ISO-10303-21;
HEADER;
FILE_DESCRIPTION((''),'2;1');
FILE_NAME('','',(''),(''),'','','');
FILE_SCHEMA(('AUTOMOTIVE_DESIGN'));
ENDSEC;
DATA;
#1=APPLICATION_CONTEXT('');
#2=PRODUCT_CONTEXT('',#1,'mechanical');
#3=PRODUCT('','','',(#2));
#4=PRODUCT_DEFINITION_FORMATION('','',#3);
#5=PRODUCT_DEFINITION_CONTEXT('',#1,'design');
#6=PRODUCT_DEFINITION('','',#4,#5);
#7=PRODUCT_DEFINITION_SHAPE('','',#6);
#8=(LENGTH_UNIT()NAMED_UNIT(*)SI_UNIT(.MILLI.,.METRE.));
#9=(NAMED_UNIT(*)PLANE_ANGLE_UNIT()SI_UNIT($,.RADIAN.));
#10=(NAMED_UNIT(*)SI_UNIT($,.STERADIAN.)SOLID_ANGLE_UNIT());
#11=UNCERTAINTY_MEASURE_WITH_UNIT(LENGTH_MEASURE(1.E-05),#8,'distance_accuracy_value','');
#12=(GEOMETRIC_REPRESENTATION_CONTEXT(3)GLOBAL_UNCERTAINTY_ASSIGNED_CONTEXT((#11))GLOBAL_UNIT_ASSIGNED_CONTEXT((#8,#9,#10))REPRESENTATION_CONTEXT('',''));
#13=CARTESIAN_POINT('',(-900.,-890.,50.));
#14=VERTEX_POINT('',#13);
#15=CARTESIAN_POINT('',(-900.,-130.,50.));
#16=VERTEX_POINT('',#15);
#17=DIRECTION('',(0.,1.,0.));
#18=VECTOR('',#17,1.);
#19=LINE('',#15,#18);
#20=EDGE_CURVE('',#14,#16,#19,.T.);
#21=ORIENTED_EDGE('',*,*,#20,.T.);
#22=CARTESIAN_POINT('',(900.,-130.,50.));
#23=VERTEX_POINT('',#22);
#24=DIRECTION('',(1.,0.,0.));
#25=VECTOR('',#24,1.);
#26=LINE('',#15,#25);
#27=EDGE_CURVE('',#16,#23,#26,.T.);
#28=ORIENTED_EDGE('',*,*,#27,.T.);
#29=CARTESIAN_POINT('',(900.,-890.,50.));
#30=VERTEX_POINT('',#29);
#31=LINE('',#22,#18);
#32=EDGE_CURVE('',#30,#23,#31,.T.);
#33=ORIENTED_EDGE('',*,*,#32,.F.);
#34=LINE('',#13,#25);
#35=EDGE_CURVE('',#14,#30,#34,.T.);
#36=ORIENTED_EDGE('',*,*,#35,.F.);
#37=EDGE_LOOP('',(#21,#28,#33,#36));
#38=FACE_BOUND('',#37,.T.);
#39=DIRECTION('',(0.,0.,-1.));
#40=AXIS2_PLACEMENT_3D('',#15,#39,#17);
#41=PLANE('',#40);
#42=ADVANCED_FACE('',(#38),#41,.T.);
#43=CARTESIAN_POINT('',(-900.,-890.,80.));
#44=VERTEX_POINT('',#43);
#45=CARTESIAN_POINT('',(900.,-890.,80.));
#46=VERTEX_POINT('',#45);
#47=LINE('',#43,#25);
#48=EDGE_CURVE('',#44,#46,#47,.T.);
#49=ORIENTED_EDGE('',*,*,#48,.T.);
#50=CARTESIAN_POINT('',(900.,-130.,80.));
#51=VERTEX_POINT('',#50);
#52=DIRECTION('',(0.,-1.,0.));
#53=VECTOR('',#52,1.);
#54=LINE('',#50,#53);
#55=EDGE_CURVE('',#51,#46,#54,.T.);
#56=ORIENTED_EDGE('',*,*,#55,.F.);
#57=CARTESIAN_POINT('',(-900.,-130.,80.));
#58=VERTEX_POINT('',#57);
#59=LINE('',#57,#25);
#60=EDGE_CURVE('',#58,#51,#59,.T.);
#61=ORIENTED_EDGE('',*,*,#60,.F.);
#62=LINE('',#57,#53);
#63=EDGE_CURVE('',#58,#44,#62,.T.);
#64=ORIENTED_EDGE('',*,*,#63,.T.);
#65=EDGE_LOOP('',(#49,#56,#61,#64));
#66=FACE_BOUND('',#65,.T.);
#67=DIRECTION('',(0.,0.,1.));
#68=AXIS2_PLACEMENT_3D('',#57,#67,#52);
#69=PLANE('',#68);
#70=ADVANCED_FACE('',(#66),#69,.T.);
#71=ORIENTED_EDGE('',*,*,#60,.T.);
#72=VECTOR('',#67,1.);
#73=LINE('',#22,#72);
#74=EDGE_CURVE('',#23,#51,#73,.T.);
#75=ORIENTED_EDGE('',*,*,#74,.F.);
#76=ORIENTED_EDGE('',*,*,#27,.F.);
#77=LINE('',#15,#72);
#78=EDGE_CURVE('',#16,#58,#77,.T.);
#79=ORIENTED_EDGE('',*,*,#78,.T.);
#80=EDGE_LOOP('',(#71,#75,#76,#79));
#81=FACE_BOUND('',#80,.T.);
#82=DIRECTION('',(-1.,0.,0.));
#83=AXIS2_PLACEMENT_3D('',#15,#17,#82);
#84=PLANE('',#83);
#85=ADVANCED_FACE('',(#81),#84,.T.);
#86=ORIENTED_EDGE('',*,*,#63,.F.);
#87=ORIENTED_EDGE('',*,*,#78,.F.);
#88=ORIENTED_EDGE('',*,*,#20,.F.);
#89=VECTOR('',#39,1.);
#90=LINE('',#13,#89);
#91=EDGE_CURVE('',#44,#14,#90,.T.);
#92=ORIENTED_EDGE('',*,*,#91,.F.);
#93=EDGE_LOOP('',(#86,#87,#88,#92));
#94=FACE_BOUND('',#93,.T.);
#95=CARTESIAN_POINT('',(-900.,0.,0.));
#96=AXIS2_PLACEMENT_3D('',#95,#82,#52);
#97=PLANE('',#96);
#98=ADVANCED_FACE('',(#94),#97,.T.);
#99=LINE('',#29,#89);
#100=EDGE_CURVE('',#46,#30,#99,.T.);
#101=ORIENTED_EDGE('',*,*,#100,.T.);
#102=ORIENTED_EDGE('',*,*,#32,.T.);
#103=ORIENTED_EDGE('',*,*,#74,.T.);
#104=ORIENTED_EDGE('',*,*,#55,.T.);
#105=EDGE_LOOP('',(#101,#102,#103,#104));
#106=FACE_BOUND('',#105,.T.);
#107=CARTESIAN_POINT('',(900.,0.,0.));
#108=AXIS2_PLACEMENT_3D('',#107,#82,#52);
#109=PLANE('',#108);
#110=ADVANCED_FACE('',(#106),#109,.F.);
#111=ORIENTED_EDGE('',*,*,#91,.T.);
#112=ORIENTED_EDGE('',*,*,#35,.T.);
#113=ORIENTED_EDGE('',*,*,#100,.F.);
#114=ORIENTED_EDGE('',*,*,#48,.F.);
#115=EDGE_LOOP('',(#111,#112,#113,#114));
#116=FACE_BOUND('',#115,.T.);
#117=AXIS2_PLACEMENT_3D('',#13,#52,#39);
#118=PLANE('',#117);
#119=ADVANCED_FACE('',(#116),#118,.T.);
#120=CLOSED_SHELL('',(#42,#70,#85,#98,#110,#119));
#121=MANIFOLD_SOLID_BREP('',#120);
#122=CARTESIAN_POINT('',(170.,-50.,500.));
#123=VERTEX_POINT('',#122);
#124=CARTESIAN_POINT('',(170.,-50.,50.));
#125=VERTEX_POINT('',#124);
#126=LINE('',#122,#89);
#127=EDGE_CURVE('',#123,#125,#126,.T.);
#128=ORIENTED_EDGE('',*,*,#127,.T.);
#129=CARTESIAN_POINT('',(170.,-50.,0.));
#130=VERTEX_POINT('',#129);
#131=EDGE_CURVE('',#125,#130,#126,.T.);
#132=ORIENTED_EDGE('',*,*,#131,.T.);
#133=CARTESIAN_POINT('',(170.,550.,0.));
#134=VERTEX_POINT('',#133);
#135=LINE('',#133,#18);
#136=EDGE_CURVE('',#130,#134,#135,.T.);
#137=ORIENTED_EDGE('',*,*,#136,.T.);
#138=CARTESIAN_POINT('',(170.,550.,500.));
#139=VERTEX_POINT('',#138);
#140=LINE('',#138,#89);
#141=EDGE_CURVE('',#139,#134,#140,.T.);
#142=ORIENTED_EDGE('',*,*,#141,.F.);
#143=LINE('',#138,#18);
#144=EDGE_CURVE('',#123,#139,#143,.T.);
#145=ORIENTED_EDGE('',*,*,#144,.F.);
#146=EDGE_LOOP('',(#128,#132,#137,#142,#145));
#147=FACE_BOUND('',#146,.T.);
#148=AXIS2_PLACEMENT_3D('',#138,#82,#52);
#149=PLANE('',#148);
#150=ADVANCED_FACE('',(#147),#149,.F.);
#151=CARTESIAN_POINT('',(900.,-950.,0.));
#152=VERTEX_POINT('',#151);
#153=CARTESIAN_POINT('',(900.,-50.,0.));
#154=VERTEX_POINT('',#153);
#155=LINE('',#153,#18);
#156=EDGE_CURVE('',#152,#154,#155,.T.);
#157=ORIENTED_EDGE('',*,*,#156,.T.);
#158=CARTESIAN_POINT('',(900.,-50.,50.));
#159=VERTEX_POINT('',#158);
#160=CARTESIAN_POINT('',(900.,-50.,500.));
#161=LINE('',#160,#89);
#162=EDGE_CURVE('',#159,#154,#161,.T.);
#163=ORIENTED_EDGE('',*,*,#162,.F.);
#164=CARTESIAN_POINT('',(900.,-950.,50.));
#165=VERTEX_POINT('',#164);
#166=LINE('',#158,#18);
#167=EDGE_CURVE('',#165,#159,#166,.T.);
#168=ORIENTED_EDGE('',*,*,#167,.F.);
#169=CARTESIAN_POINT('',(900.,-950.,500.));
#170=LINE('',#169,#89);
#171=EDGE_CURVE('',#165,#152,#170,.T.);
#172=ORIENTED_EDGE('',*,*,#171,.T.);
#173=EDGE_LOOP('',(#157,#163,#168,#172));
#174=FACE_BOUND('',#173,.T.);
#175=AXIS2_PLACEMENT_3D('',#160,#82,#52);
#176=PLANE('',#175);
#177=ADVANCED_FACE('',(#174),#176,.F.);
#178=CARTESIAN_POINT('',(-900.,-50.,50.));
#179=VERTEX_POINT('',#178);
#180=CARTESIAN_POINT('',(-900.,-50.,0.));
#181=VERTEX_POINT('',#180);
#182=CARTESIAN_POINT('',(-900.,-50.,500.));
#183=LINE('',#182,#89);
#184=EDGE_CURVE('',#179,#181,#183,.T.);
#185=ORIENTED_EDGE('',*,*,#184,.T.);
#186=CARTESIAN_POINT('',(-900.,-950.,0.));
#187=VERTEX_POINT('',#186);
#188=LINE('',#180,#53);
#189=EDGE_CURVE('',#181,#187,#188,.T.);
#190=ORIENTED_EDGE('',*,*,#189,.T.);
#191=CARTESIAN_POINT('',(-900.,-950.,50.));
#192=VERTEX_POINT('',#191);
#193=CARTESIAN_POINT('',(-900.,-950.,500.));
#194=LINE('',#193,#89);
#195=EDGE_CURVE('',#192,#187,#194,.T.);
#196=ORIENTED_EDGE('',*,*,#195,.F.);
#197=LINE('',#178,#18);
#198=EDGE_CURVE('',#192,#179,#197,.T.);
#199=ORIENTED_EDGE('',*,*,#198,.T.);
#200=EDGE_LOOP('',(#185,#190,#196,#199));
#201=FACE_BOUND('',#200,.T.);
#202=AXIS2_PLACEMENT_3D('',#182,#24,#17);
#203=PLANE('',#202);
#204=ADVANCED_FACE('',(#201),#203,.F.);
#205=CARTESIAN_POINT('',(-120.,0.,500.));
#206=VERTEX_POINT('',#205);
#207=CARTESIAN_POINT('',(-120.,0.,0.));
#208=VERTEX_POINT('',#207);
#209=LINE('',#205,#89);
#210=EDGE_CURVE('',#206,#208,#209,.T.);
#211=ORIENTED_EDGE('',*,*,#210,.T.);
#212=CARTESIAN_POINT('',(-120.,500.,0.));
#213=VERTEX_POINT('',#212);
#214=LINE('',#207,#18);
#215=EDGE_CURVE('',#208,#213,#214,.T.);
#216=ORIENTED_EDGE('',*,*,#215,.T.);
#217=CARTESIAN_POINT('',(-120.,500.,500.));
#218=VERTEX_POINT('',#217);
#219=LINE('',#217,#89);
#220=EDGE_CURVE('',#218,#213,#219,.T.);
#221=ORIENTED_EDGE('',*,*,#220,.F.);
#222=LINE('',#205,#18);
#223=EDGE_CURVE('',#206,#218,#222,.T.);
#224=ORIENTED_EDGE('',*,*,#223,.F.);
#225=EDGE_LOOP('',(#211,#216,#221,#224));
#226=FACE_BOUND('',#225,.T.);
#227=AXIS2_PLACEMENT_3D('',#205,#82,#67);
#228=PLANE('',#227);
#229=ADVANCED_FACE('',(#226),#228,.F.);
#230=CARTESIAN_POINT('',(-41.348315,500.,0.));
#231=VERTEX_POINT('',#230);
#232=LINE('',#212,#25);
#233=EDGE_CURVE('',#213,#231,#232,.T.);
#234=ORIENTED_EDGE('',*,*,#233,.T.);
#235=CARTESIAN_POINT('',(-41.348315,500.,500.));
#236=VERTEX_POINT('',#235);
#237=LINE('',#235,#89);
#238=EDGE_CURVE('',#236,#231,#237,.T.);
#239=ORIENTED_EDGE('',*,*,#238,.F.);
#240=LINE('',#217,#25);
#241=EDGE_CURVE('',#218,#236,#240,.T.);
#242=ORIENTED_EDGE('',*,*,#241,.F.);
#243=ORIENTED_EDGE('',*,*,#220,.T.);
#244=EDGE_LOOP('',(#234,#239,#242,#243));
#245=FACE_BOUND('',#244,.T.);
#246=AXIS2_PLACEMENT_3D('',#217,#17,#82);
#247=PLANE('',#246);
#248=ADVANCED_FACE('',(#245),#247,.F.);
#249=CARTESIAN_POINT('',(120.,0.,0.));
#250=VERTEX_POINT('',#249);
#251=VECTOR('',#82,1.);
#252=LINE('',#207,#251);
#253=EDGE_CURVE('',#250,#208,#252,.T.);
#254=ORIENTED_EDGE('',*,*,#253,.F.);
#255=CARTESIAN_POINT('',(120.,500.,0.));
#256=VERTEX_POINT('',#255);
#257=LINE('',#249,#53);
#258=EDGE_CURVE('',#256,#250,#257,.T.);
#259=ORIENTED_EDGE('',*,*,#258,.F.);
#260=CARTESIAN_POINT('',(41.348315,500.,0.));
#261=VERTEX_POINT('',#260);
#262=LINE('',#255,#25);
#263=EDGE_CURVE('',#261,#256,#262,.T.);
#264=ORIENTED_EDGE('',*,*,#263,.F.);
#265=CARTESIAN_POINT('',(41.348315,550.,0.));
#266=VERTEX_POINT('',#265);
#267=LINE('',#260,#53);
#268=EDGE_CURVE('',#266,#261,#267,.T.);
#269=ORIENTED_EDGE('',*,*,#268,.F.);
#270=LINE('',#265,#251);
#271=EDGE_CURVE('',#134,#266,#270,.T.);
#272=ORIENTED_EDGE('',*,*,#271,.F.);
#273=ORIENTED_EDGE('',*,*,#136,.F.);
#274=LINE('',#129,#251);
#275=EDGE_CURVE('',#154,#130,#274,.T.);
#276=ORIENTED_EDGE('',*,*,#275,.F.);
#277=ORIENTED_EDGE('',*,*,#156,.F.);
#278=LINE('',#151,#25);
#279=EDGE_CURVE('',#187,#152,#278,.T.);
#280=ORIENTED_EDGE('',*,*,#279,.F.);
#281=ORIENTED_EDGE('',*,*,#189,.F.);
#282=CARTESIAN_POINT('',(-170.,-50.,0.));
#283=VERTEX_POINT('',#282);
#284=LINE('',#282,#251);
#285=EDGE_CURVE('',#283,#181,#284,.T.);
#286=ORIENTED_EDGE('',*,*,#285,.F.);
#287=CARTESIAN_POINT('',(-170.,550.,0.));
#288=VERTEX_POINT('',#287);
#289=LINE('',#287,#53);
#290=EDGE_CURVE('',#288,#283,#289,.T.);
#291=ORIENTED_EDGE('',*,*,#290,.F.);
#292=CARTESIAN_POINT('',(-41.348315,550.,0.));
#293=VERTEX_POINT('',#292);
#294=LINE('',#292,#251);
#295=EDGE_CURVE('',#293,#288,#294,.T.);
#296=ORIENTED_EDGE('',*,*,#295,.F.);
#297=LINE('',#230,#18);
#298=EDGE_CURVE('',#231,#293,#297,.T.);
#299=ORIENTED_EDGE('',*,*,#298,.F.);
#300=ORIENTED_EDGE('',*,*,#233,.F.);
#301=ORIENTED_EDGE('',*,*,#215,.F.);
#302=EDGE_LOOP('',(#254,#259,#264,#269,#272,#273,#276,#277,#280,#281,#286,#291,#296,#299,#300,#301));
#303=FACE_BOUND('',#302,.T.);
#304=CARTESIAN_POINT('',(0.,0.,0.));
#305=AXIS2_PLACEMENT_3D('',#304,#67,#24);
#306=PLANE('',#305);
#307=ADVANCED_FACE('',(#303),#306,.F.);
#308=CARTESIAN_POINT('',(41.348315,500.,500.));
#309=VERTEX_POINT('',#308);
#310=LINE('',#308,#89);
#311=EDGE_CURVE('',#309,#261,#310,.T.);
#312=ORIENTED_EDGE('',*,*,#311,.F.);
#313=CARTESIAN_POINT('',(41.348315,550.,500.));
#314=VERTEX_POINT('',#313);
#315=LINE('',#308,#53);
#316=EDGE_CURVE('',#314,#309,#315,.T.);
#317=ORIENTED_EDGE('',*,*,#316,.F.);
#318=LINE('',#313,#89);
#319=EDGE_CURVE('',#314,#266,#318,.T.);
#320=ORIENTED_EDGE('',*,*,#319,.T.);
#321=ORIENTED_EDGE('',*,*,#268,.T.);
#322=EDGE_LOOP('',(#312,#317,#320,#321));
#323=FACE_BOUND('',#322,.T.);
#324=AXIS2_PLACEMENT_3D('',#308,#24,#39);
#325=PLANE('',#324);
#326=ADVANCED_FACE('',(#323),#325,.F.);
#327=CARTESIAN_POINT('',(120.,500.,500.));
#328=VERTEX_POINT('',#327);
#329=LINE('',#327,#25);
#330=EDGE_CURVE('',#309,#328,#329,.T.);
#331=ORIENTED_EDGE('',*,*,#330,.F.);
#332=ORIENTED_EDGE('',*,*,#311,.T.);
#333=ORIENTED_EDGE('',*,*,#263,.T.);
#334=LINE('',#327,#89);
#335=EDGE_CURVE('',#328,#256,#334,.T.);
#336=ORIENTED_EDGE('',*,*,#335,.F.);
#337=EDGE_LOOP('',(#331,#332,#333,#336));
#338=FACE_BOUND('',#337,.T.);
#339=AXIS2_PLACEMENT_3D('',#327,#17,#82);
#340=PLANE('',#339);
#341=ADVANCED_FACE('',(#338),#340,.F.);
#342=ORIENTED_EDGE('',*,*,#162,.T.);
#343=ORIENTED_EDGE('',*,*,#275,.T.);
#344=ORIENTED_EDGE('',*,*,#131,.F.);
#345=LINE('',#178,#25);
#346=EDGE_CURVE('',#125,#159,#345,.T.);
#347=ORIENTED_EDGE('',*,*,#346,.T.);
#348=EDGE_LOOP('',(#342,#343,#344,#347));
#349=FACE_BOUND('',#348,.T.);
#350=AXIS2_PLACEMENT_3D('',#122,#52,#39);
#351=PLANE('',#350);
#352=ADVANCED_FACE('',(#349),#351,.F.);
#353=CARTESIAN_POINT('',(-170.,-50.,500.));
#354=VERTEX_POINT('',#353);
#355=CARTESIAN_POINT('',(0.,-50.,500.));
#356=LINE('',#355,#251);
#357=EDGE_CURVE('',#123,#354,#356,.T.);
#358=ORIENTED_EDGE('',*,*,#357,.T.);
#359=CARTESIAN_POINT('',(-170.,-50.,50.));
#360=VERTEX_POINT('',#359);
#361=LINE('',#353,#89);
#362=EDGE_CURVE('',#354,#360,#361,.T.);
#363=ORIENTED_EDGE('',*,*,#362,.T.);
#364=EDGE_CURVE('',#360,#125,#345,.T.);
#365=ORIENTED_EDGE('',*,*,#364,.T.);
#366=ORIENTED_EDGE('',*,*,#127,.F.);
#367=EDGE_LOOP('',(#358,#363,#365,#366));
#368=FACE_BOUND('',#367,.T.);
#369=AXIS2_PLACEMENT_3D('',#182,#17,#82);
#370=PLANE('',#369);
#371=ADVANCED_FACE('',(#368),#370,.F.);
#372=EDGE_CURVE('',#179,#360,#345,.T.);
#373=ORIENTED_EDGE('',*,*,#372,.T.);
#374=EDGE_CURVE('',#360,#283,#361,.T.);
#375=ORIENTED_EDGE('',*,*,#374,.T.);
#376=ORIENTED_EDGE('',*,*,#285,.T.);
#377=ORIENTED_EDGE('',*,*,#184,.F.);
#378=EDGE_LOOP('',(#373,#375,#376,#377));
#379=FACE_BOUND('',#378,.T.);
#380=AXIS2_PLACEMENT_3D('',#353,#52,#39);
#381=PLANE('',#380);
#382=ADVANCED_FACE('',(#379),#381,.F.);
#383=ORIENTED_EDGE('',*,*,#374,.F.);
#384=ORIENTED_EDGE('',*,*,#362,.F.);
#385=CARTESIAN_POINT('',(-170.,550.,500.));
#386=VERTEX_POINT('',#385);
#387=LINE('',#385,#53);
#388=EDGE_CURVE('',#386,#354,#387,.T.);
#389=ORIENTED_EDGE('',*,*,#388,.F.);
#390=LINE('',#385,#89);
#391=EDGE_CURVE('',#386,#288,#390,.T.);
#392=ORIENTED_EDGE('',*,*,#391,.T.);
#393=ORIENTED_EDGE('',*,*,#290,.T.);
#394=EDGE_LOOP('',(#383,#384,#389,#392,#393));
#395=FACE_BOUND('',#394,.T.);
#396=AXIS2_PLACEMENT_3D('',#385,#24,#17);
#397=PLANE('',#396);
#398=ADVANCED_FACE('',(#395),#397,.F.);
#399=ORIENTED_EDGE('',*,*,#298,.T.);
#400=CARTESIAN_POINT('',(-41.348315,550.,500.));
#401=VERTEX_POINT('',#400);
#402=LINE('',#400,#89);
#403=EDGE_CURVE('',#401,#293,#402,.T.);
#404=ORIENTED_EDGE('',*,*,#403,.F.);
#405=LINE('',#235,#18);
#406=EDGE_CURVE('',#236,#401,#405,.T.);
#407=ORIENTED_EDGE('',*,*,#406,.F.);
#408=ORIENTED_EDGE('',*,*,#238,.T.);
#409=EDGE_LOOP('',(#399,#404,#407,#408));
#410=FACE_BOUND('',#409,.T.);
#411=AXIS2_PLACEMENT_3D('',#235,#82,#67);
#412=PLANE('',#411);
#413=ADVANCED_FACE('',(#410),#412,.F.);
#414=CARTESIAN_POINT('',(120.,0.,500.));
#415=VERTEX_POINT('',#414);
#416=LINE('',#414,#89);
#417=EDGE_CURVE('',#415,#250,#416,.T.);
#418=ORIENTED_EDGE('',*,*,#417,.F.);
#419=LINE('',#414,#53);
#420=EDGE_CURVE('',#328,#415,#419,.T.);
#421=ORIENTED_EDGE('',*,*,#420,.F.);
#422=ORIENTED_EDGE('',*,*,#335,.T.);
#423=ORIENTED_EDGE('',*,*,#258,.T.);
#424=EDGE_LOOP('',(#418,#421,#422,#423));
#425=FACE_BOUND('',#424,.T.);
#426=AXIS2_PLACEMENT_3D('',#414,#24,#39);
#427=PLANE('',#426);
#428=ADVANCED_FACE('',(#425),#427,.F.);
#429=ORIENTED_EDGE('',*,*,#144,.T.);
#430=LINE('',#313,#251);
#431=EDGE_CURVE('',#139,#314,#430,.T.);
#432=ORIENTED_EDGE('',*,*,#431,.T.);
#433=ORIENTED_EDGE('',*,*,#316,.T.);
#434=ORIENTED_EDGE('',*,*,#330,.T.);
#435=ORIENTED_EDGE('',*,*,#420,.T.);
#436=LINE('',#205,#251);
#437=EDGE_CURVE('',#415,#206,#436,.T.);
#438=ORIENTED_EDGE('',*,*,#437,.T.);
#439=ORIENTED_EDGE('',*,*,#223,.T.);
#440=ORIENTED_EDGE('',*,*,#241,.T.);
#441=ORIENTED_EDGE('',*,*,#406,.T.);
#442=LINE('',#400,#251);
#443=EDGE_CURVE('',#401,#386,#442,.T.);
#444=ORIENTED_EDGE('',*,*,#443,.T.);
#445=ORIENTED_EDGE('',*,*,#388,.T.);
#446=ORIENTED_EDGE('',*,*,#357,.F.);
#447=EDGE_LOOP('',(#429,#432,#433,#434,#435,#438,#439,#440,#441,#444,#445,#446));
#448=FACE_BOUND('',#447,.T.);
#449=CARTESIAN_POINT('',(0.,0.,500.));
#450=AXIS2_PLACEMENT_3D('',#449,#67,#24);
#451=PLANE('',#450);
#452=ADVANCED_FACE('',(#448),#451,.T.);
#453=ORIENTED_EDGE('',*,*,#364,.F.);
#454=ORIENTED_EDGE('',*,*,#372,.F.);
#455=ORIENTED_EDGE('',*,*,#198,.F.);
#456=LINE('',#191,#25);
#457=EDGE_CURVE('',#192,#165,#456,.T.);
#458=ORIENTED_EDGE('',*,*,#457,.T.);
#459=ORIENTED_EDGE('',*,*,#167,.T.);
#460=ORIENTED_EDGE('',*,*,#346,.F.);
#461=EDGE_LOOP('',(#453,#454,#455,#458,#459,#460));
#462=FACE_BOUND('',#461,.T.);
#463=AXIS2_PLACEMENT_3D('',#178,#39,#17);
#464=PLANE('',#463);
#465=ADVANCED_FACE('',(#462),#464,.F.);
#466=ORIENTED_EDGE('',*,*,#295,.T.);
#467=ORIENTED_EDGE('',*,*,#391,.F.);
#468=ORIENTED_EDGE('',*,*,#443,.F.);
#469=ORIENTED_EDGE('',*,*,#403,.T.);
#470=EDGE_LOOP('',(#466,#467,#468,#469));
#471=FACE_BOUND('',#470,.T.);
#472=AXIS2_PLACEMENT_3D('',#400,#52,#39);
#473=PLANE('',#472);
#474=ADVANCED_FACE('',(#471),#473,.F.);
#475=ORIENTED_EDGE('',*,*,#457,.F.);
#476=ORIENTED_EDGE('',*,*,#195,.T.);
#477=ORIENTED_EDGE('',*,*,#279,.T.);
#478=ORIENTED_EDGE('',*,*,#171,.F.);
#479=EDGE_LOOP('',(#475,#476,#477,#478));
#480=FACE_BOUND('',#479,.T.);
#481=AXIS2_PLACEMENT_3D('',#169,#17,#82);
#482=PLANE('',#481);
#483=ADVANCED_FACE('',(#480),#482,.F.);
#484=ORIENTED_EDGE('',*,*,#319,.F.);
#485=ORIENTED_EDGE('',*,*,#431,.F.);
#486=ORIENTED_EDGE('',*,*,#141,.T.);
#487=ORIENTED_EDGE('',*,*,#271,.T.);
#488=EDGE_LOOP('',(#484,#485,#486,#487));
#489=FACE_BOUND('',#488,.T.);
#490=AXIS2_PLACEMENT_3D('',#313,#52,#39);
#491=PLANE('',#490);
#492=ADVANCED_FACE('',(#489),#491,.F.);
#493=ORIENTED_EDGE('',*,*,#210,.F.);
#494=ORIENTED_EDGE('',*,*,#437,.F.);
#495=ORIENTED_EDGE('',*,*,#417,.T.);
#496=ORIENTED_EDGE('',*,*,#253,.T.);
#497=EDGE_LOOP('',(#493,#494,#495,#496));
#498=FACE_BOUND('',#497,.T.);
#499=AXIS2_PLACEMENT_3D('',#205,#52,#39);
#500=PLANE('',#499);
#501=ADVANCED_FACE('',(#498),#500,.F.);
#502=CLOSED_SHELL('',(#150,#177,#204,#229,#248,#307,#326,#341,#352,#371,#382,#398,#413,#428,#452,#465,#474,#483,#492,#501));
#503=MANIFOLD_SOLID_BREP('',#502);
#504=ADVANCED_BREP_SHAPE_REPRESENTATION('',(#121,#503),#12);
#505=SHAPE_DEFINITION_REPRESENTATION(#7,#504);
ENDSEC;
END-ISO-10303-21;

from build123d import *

# Parameters (mm, degrees)
AUFSATZ_LINEAR_AUSTRAGEN1_DEPTH = 500
SKIZZE2_W                       = 450
SKIZZE2_H                       = 900
SCHNITT_LINEAR_AUSTRAGEN1_DEPTH = 2096.829191513
SKIZZE3_W                       = 30
SKIZZE3_H                       = 760
AUFSATZ_LINEAR_AUSTRAGEN2_DEPTH = 1800


with BuildPart() as part:
    # Skizze1 → Aufsatz-Linear austragen1 (new body)
    with BuildSketch(Plane.XY):
        Polygon((-120, 0), (120, 0), (120, 500), (41.348314607, 500), (41.348314607, 550), (170, 550), (170, -50), (900, -50), (900, -950), (513.483146067, -950), (-513.483146067, -950), (-900, -950), (-900, -50), (-170, -50), (-170, 550), (-41.348314607, 550), (-41.348314607, 500), (-120, 500), align=None)
    extrude(amount=AUFSATZ_LINEAR_AUSTRAGEN1_DEPTH)

    # Skizze2 → Schnitt-Linear austragen1 (cut, through all)
    with BuildSketch(Plane(origin=(900, 0, 0), x_dir=(0, 0, -1), z_dir=(1, 0, 0))):
        with Locations((-275, -500)):
            Rectangle(SKIZZE2_W, SKIZZE2_H)
    extrude(amount=-SCHNITT_LINEAR_AUSTRAGEN1_DEPTH, mode=Mode.SUBTRACT)


with BuildPart() as body_2:
    # Skizze3 → Aufsatz-Linear austragen2 (new body)
    with BuildSketch(Plane(origin=(900, 0, 0), x_dir=(0, 0, -1), z_dir=(1, 0, 0))):
        with Locations((-65, -510)):
            Rectangle(SKIZZE3_W, SKIZZE3_H)
    extrude(amount=-AUFSATZ_LINEAR_AUSTRAGEN2_DEPTH)


solid = Compound([part.part, body_2.part])
